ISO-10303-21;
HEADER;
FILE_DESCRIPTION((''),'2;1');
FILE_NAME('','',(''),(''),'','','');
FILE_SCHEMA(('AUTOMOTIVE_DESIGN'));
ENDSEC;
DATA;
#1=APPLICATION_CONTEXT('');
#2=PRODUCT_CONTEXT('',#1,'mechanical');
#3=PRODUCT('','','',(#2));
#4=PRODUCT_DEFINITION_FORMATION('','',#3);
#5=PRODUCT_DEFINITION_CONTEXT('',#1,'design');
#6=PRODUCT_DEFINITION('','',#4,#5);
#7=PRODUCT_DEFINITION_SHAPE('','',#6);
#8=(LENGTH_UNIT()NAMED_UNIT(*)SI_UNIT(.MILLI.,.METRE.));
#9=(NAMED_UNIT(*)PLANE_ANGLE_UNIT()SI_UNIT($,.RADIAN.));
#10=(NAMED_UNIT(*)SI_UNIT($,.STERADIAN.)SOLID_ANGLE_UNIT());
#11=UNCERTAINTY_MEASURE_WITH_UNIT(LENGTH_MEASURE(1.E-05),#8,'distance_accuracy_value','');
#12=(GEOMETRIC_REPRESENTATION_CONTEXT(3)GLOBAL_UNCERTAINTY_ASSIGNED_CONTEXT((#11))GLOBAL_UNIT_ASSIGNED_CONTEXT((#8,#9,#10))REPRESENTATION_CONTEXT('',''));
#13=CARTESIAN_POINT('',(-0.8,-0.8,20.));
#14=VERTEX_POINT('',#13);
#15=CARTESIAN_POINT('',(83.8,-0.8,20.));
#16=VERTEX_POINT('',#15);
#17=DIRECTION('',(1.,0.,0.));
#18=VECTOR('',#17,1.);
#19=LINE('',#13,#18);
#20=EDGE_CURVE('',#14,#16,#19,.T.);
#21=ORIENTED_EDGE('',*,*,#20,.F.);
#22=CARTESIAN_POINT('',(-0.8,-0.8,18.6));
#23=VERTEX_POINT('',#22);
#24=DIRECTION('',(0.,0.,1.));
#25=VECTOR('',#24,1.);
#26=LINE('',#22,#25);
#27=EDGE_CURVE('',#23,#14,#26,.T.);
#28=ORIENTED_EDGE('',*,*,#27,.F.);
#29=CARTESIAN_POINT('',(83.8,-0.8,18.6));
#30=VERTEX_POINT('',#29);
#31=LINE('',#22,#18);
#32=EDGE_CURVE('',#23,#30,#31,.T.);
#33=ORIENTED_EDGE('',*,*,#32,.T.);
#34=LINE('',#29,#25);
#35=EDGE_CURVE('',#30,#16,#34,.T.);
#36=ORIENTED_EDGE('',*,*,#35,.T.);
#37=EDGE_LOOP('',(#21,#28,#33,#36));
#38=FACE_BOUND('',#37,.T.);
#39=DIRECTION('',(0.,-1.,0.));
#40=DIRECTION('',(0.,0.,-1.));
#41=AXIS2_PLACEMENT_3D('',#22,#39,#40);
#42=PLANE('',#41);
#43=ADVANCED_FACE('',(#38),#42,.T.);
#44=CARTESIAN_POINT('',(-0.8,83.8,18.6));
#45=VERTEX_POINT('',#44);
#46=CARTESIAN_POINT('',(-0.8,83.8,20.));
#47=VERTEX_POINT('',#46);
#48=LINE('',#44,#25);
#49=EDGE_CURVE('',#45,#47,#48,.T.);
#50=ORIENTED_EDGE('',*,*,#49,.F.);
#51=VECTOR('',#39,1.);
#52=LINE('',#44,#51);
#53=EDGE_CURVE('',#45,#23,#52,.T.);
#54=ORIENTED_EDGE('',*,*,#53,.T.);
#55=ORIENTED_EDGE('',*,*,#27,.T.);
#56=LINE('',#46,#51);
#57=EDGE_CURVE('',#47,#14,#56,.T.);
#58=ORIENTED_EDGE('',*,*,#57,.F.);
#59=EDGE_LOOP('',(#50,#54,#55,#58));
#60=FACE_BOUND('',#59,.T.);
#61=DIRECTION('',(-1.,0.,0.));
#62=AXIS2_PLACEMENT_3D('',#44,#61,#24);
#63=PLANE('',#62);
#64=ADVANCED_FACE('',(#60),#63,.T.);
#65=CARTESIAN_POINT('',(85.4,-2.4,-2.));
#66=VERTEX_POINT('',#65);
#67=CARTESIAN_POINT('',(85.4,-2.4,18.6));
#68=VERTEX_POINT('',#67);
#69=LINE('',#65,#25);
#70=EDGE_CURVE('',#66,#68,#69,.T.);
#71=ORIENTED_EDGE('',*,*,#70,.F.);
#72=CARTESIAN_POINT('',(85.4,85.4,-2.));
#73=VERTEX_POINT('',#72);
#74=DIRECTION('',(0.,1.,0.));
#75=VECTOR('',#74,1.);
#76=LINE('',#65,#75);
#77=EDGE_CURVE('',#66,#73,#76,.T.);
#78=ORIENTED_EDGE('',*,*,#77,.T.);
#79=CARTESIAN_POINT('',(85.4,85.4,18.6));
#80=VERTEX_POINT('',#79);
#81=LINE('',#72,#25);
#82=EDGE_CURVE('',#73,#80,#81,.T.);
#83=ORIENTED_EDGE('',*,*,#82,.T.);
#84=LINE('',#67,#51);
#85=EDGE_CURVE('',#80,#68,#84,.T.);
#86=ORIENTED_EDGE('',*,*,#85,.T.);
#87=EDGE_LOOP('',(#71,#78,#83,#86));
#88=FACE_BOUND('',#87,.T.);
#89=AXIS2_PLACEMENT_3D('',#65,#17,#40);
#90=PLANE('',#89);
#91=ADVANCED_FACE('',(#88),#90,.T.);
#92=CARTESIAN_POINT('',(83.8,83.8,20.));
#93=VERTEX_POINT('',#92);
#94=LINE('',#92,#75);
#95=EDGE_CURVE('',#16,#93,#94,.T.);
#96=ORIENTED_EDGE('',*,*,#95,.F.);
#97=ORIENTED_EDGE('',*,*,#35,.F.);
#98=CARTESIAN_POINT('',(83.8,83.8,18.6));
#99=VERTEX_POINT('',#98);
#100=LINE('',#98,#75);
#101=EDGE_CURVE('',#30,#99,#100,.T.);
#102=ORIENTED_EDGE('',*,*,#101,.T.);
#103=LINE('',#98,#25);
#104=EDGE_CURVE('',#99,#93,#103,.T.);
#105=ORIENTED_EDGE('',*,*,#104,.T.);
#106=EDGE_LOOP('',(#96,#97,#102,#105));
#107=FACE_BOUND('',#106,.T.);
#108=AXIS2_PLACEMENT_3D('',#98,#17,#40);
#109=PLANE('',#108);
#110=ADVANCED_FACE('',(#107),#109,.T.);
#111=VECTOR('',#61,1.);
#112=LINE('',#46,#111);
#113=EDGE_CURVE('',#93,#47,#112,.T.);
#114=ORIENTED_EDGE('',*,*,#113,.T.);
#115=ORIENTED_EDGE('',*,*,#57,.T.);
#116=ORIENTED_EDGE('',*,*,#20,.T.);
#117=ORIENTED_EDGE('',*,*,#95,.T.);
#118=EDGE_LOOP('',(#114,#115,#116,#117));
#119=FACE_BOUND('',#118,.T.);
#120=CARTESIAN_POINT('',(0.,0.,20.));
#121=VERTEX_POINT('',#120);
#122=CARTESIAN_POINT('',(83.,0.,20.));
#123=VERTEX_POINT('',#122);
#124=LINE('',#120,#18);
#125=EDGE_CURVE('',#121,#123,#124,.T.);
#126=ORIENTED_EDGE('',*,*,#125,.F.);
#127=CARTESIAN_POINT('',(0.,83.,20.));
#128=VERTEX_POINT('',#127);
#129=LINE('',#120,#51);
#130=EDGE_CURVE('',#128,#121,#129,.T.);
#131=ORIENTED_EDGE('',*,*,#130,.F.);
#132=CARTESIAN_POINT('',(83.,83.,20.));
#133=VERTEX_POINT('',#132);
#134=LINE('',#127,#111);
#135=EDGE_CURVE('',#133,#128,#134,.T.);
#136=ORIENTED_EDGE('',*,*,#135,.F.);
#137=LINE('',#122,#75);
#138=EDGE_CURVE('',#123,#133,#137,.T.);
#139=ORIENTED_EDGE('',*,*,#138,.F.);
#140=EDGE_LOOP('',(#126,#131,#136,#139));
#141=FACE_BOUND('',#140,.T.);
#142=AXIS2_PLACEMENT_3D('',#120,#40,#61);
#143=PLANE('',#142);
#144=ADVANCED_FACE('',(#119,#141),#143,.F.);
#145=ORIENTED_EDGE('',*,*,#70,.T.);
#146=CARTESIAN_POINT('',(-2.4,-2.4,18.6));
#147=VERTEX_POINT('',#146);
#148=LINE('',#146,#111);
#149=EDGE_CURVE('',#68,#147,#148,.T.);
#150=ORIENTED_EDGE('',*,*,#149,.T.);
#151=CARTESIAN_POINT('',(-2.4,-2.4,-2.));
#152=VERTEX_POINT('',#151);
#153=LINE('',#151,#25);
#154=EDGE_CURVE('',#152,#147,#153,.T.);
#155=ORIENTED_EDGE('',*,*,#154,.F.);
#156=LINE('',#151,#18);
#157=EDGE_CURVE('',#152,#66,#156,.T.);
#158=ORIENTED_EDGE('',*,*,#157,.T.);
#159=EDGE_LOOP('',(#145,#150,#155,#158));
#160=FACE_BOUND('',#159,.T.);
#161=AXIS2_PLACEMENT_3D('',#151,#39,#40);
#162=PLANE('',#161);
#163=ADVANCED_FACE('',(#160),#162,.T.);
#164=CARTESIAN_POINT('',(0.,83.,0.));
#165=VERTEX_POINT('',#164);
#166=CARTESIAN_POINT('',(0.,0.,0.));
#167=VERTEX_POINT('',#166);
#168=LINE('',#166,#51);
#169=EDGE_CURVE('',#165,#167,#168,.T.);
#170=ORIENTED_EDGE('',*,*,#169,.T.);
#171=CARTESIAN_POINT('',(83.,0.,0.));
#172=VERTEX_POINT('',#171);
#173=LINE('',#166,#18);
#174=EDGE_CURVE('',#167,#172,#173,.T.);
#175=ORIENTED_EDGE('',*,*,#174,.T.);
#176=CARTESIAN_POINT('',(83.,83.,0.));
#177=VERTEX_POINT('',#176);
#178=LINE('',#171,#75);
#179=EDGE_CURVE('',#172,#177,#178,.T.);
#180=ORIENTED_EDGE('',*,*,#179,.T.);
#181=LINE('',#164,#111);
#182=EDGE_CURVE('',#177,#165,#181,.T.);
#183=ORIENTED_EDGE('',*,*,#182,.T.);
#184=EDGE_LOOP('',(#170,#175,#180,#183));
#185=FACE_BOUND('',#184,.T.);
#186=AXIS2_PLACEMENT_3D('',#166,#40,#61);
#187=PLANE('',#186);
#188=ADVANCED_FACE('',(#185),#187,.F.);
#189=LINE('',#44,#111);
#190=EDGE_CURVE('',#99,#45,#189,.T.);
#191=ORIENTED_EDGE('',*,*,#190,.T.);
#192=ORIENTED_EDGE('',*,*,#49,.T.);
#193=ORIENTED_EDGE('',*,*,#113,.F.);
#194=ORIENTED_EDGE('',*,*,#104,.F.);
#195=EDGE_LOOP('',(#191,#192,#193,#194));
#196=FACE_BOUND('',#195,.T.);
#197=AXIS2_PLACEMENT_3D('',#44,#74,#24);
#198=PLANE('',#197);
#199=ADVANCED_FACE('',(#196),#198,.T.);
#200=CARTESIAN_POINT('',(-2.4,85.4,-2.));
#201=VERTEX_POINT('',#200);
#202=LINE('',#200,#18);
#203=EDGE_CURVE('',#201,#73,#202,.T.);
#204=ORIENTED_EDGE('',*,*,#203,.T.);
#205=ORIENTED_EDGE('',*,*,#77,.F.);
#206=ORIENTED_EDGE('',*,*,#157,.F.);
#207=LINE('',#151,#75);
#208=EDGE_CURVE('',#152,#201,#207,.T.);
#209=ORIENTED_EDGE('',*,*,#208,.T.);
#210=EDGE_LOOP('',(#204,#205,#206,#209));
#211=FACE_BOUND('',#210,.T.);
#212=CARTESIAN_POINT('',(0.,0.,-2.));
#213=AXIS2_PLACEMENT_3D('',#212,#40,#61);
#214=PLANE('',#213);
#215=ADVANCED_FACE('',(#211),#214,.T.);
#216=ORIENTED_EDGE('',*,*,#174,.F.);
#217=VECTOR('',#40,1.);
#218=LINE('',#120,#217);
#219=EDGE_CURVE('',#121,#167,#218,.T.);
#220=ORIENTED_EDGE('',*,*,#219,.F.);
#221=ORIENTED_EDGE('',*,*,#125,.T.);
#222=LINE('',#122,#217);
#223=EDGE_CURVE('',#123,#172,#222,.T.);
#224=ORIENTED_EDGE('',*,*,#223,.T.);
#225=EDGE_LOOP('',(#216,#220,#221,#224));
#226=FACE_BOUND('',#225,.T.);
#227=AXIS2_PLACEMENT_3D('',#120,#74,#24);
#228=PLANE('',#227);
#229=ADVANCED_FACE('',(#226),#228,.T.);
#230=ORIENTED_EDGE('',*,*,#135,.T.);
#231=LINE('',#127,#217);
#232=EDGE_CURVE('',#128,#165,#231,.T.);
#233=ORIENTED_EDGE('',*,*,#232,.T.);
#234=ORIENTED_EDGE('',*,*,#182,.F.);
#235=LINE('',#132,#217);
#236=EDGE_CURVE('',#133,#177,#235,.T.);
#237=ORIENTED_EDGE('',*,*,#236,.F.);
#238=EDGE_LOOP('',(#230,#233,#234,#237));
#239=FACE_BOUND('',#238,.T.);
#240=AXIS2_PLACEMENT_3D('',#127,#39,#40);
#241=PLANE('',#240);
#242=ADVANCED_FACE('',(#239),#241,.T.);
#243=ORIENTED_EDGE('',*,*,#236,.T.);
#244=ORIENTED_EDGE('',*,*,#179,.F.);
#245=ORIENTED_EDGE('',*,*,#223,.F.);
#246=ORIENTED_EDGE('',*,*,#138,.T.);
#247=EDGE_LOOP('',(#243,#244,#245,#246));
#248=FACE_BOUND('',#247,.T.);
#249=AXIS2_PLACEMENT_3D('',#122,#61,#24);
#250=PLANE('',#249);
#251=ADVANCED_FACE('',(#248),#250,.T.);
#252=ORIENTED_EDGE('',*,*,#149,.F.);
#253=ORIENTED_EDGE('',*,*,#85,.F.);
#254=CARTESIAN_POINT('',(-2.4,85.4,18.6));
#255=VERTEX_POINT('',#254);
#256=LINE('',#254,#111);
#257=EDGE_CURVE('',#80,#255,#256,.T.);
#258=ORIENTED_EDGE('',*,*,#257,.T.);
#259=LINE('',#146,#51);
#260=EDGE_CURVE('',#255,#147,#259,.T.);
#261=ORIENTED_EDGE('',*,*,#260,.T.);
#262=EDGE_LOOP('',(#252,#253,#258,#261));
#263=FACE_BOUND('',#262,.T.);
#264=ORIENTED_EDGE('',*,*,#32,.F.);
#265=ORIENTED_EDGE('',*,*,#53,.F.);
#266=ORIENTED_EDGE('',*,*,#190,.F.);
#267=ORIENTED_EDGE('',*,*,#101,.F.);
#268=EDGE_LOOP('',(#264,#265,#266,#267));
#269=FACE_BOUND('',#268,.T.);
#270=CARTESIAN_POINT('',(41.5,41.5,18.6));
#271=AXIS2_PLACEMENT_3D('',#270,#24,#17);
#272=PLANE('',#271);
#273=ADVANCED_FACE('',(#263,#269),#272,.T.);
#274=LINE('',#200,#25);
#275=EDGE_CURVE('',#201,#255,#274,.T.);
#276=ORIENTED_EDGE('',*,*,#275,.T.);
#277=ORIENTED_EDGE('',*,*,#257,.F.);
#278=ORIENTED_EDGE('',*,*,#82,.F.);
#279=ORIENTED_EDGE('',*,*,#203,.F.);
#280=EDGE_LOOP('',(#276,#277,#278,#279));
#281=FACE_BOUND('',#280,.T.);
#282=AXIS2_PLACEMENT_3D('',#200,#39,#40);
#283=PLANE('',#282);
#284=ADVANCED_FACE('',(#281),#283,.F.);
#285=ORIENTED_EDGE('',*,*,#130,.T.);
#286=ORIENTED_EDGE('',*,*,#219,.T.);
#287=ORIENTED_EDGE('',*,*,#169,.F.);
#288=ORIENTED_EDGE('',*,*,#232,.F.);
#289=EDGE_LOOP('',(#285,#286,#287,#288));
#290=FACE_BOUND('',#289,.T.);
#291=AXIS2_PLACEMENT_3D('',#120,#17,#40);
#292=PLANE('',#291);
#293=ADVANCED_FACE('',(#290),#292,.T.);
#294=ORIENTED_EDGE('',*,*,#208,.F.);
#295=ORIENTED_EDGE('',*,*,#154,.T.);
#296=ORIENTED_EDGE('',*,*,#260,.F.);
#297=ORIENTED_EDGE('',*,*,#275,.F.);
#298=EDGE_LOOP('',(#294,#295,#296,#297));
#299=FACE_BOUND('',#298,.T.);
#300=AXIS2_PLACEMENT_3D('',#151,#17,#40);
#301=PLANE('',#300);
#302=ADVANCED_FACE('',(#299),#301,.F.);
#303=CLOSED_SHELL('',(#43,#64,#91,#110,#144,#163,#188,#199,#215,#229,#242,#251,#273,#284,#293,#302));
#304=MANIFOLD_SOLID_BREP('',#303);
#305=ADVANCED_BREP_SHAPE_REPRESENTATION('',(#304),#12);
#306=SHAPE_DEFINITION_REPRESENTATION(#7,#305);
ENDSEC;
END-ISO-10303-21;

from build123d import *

# Parameters (mm, degrees)
SKETCH1_W           = 87.8
SKETCH1_H           = 87.8
BOSS_EXTRUDE1_DEPTH = 2
SKETCH1_3_W         = 87.8
SKETCH1_3_H         = 87.8
SKETCH1_3_W_2       = 83
SKETCH1_3_H_2       = 83
BOSS_EXTRUDE2_DEPTH = 20
SKETCH2_OUTSIDE_W   = 115.02
SKETCH2_OUTSIDE_H   = 115.02
SKETCH2_OUTSIDE_W_2 = 84.6
SKETCH2_OUTSIDE_H_2 = 84.6
CUT_EXTRUDE1_DEPTH  = 1.4


with BuildPart() as part:
    # Sketch1 → Boss-Extrude1 (new body)
    with BuildSketch(Plane.XY):
        with Locations((41.5, 41.5)):
            Rectangle(SKETCH1_W, SKETCH1_H)
    extrude(amount=-BOSS_EXTRUDE1_DEPTH)

    # Sketch1<3> → Boss-Extrude2 (add)
    with BuildSketch(Plane.XY):
        with Locations((41.5, 41.5)):
            Rectangle(SKETCH1_3_W, SKETCH1_3_H)
        with Locations((41.5, 41.5)):
            Rectangle(SKETCH1_3_W_2, SKETCH1_3_H_2, mode=Mode.SUBTRACT)
    extrude(amount=BOSS_EXTRUDE2_DEPTH)

    # Sketch2 outside → Cut-Extrude1 (cut)
    with BuildSketch(Plane.XY.offset(20)):
        with Locations((41.5, 41.5)):
            Rectangle(SKETCH2_OUTSIDE_W, SKETCH2_OUTSIDE_H)
        with Locations((41.5, 41.5)):
            Rectangle(SKETCH2_OUTSIDE_W_2, SKETCH2_OUTSIDE_H_2, mode=Mode.SUBTRACT)
    extrude(amount=-CUT_EXTRUDE1_DEPTH, mode=Mode.SUBTRACT)


solid = part.part
